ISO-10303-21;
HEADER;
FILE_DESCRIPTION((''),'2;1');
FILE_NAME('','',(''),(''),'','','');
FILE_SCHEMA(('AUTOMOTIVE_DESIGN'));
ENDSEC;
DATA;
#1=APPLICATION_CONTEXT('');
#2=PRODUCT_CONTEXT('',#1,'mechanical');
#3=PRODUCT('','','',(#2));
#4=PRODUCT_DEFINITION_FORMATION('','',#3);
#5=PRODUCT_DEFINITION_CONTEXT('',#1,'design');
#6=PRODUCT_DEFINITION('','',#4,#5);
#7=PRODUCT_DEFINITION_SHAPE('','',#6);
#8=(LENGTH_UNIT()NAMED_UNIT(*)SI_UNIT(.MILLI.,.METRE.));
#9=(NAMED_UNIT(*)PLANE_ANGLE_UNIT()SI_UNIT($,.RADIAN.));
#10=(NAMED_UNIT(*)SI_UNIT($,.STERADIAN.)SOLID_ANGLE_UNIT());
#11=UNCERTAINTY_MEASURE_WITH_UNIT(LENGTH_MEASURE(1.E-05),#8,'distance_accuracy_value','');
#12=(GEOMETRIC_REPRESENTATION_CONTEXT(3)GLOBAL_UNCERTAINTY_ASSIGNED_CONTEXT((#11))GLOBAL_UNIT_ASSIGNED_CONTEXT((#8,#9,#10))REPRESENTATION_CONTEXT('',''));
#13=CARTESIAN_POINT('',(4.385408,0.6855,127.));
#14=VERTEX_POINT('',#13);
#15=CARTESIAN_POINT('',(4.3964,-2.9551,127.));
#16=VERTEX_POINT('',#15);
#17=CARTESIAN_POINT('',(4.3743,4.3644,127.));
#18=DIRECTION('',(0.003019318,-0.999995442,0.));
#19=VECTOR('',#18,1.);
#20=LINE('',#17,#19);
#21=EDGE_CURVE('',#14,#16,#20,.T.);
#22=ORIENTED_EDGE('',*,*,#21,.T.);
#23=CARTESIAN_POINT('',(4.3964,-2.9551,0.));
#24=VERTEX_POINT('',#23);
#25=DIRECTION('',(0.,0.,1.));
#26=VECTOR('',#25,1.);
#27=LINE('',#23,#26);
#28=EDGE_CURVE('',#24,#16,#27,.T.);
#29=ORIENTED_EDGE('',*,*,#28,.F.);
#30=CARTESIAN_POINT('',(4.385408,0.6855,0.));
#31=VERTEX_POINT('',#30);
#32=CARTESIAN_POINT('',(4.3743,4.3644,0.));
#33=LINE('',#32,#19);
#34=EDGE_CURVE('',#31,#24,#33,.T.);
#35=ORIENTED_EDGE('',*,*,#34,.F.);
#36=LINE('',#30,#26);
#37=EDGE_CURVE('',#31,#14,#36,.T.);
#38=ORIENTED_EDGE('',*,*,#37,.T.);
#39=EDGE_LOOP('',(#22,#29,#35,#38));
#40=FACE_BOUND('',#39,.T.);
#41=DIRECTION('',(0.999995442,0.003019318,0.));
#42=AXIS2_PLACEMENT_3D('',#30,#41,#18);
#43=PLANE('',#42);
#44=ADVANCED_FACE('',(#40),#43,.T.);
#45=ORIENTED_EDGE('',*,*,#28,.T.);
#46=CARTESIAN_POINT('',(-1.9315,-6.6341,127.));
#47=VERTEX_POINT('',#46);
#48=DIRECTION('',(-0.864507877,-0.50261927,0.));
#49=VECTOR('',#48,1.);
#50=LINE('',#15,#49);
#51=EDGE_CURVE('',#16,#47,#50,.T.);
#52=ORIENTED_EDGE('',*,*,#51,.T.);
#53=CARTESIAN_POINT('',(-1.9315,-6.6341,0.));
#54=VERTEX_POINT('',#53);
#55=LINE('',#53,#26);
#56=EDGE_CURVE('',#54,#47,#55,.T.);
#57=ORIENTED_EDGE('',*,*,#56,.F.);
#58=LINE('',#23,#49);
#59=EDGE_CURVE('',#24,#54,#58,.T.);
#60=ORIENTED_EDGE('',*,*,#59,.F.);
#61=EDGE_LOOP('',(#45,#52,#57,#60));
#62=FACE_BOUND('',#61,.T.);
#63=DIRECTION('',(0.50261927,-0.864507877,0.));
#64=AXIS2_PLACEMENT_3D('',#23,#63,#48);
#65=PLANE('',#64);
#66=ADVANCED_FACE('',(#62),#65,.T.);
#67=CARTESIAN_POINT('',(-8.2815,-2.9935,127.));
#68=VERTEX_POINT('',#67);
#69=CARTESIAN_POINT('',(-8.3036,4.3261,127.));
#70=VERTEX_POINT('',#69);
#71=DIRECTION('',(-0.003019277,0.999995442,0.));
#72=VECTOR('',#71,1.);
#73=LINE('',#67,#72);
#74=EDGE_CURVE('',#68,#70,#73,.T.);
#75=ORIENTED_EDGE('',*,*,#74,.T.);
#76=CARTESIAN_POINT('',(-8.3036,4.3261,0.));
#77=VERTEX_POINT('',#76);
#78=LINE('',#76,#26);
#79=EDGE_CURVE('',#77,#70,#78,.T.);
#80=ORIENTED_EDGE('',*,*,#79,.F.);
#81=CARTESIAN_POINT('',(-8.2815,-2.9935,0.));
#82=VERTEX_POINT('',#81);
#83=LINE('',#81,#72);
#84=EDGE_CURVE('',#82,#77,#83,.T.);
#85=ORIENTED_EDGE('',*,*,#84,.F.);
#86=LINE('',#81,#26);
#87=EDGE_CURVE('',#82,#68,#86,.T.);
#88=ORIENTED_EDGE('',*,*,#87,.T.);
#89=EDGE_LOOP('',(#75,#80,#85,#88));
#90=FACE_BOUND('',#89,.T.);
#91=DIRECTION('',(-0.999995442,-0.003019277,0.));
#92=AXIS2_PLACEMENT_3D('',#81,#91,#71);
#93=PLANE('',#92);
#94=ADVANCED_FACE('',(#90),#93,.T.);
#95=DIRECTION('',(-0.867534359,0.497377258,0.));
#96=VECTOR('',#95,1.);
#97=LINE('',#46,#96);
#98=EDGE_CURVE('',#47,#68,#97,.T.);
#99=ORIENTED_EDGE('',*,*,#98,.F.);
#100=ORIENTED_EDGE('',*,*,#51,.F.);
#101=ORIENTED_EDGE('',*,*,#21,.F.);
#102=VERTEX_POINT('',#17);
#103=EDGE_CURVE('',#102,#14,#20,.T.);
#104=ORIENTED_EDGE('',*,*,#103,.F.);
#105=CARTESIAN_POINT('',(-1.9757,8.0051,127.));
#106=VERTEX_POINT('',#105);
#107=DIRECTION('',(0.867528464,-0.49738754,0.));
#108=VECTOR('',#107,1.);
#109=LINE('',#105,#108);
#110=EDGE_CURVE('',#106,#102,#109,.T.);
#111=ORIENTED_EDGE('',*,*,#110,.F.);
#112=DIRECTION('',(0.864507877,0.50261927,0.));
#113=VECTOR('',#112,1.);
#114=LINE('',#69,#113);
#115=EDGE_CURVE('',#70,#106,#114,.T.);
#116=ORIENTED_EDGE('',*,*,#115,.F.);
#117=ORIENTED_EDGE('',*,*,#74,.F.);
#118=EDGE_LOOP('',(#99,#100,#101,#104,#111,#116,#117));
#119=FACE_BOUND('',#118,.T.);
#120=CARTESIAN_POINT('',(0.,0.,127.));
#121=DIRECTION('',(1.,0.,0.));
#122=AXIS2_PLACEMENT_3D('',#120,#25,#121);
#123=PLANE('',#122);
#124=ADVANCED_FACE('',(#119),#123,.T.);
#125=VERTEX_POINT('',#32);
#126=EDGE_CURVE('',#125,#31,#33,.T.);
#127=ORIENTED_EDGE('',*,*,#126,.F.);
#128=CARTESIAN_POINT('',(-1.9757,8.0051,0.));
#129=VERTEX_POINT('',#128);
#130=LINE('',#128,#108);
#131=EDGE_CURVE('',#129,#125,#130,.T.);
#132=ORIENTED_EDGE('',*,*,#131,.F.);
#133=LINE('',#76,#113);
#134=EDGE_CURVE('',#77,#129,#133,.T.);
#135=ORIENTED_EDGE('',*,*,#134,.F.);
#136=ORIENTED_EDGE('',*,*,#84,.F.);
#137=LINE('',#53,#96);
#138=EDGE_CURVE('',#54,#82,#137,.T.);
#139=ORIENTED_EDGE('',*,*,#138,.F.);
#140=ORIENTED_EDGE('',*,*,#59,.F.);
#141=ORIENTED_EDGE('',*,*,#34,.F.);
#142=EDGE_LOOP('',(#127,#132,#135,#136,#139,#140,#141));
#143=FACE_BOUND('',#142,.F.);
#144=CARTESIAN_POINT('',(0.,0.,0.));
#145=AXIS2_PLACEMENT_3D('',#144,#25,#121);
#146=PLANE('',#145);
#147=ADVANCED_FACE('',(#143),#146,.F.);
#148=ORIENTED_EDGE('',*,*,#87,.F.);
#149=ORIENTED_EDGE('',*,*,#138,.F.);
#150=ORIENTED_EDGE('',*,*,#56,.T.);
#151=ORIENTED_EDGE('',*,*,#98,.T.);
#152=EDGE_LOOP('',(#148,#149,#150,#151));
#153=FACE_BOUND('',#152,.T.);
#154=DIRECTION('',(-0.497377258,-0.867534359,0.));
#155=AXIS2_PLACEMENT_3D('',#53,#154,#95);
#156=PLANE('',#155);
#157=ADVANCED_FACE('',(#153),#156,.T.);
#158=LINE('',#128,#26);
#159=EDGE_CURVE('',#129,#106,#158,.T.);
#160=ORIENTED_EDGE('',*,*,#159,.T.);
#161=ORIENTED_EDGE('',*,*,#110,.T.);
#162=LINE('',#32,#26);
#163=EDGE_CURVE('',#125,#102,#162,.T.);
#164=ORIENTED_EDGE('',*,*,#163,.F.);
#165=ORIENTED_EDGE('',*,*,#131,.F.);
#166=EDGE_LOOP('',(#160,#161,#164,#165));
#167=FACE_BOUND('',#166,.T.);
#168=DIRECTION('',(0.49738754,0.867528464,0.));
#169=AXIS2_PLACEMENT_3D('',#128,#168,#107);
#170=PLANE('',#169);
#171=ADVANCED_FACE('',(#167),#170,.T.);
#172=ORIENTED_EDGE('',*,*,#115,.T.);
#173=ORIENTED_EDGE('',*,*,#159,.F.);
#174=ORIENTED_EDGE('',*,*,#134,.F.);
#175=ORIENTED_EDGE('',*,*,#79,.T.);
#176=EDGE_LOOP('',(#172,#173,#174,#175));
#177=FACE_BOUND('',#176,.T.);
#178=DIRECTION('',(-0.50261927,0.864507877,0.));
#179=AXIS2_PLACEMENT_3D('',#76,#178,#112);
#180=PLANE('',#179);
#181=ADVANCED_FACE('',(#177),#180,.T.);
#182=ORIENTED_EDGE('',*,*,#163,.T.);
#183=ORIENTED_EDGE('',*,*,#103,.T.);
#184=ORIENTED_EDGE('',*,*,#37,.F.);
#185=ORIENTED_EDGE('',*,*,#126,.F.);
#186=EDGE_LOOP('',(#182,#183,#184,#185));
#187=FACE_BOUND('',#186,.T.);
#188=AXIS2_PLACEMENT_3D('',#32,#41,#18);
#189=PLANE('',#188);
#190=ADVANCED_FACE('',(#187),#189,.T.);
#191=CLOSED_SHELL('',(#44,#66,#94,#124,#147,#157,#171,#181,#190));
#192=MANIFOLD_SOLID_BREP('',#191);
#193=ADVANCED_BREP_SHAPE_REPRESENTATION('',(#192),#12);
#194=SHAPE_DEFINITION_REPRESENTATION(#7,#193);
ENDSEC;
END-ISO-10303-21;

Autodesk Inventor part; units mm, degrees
ref_plane "YZ Plane" through (0, 0, 0) normal (1, 0, 0) x (0, 1, 0)
ref_plane "XZ Plane" through (0, 0, 0) normal (0, 1, 0) x (-1, 0, 0)
ref_plane "XY Plane" through (0, 0, 0) normal (0, 0, 1) x (1, 0, 0)
sketch "Sketch1" plane through (0, 0, 0) normal (0, 0, 1) x (1, 0, 0)
  line L0 (-1.9536, 0.6855) -> (4.3964, 0.6855)
  line L1 (4.3964, -2.9551) -> (-1.9315, -6.6341)
  line L2 (-1.9315, -6.6341) -> (-8.2815, -2.9935)
  line L3 (-8.2815, -2.9935) -> (-8.3036, 4.3261)
  line L4 (-8.3036, 4.3261) -> (-1.9757, 8.0051)
  line L5 (-1.9757, 8.0051) -> (4.3743, 4.3644)
  line L6 (4.3743, 4.3644) -> (4.3964, -2.9551)
  dimension "d0" = 6.35
extrude "Extrusion1" add sketch "Sketch1" along normal blind 127
properties part number "Hex Shaft"
